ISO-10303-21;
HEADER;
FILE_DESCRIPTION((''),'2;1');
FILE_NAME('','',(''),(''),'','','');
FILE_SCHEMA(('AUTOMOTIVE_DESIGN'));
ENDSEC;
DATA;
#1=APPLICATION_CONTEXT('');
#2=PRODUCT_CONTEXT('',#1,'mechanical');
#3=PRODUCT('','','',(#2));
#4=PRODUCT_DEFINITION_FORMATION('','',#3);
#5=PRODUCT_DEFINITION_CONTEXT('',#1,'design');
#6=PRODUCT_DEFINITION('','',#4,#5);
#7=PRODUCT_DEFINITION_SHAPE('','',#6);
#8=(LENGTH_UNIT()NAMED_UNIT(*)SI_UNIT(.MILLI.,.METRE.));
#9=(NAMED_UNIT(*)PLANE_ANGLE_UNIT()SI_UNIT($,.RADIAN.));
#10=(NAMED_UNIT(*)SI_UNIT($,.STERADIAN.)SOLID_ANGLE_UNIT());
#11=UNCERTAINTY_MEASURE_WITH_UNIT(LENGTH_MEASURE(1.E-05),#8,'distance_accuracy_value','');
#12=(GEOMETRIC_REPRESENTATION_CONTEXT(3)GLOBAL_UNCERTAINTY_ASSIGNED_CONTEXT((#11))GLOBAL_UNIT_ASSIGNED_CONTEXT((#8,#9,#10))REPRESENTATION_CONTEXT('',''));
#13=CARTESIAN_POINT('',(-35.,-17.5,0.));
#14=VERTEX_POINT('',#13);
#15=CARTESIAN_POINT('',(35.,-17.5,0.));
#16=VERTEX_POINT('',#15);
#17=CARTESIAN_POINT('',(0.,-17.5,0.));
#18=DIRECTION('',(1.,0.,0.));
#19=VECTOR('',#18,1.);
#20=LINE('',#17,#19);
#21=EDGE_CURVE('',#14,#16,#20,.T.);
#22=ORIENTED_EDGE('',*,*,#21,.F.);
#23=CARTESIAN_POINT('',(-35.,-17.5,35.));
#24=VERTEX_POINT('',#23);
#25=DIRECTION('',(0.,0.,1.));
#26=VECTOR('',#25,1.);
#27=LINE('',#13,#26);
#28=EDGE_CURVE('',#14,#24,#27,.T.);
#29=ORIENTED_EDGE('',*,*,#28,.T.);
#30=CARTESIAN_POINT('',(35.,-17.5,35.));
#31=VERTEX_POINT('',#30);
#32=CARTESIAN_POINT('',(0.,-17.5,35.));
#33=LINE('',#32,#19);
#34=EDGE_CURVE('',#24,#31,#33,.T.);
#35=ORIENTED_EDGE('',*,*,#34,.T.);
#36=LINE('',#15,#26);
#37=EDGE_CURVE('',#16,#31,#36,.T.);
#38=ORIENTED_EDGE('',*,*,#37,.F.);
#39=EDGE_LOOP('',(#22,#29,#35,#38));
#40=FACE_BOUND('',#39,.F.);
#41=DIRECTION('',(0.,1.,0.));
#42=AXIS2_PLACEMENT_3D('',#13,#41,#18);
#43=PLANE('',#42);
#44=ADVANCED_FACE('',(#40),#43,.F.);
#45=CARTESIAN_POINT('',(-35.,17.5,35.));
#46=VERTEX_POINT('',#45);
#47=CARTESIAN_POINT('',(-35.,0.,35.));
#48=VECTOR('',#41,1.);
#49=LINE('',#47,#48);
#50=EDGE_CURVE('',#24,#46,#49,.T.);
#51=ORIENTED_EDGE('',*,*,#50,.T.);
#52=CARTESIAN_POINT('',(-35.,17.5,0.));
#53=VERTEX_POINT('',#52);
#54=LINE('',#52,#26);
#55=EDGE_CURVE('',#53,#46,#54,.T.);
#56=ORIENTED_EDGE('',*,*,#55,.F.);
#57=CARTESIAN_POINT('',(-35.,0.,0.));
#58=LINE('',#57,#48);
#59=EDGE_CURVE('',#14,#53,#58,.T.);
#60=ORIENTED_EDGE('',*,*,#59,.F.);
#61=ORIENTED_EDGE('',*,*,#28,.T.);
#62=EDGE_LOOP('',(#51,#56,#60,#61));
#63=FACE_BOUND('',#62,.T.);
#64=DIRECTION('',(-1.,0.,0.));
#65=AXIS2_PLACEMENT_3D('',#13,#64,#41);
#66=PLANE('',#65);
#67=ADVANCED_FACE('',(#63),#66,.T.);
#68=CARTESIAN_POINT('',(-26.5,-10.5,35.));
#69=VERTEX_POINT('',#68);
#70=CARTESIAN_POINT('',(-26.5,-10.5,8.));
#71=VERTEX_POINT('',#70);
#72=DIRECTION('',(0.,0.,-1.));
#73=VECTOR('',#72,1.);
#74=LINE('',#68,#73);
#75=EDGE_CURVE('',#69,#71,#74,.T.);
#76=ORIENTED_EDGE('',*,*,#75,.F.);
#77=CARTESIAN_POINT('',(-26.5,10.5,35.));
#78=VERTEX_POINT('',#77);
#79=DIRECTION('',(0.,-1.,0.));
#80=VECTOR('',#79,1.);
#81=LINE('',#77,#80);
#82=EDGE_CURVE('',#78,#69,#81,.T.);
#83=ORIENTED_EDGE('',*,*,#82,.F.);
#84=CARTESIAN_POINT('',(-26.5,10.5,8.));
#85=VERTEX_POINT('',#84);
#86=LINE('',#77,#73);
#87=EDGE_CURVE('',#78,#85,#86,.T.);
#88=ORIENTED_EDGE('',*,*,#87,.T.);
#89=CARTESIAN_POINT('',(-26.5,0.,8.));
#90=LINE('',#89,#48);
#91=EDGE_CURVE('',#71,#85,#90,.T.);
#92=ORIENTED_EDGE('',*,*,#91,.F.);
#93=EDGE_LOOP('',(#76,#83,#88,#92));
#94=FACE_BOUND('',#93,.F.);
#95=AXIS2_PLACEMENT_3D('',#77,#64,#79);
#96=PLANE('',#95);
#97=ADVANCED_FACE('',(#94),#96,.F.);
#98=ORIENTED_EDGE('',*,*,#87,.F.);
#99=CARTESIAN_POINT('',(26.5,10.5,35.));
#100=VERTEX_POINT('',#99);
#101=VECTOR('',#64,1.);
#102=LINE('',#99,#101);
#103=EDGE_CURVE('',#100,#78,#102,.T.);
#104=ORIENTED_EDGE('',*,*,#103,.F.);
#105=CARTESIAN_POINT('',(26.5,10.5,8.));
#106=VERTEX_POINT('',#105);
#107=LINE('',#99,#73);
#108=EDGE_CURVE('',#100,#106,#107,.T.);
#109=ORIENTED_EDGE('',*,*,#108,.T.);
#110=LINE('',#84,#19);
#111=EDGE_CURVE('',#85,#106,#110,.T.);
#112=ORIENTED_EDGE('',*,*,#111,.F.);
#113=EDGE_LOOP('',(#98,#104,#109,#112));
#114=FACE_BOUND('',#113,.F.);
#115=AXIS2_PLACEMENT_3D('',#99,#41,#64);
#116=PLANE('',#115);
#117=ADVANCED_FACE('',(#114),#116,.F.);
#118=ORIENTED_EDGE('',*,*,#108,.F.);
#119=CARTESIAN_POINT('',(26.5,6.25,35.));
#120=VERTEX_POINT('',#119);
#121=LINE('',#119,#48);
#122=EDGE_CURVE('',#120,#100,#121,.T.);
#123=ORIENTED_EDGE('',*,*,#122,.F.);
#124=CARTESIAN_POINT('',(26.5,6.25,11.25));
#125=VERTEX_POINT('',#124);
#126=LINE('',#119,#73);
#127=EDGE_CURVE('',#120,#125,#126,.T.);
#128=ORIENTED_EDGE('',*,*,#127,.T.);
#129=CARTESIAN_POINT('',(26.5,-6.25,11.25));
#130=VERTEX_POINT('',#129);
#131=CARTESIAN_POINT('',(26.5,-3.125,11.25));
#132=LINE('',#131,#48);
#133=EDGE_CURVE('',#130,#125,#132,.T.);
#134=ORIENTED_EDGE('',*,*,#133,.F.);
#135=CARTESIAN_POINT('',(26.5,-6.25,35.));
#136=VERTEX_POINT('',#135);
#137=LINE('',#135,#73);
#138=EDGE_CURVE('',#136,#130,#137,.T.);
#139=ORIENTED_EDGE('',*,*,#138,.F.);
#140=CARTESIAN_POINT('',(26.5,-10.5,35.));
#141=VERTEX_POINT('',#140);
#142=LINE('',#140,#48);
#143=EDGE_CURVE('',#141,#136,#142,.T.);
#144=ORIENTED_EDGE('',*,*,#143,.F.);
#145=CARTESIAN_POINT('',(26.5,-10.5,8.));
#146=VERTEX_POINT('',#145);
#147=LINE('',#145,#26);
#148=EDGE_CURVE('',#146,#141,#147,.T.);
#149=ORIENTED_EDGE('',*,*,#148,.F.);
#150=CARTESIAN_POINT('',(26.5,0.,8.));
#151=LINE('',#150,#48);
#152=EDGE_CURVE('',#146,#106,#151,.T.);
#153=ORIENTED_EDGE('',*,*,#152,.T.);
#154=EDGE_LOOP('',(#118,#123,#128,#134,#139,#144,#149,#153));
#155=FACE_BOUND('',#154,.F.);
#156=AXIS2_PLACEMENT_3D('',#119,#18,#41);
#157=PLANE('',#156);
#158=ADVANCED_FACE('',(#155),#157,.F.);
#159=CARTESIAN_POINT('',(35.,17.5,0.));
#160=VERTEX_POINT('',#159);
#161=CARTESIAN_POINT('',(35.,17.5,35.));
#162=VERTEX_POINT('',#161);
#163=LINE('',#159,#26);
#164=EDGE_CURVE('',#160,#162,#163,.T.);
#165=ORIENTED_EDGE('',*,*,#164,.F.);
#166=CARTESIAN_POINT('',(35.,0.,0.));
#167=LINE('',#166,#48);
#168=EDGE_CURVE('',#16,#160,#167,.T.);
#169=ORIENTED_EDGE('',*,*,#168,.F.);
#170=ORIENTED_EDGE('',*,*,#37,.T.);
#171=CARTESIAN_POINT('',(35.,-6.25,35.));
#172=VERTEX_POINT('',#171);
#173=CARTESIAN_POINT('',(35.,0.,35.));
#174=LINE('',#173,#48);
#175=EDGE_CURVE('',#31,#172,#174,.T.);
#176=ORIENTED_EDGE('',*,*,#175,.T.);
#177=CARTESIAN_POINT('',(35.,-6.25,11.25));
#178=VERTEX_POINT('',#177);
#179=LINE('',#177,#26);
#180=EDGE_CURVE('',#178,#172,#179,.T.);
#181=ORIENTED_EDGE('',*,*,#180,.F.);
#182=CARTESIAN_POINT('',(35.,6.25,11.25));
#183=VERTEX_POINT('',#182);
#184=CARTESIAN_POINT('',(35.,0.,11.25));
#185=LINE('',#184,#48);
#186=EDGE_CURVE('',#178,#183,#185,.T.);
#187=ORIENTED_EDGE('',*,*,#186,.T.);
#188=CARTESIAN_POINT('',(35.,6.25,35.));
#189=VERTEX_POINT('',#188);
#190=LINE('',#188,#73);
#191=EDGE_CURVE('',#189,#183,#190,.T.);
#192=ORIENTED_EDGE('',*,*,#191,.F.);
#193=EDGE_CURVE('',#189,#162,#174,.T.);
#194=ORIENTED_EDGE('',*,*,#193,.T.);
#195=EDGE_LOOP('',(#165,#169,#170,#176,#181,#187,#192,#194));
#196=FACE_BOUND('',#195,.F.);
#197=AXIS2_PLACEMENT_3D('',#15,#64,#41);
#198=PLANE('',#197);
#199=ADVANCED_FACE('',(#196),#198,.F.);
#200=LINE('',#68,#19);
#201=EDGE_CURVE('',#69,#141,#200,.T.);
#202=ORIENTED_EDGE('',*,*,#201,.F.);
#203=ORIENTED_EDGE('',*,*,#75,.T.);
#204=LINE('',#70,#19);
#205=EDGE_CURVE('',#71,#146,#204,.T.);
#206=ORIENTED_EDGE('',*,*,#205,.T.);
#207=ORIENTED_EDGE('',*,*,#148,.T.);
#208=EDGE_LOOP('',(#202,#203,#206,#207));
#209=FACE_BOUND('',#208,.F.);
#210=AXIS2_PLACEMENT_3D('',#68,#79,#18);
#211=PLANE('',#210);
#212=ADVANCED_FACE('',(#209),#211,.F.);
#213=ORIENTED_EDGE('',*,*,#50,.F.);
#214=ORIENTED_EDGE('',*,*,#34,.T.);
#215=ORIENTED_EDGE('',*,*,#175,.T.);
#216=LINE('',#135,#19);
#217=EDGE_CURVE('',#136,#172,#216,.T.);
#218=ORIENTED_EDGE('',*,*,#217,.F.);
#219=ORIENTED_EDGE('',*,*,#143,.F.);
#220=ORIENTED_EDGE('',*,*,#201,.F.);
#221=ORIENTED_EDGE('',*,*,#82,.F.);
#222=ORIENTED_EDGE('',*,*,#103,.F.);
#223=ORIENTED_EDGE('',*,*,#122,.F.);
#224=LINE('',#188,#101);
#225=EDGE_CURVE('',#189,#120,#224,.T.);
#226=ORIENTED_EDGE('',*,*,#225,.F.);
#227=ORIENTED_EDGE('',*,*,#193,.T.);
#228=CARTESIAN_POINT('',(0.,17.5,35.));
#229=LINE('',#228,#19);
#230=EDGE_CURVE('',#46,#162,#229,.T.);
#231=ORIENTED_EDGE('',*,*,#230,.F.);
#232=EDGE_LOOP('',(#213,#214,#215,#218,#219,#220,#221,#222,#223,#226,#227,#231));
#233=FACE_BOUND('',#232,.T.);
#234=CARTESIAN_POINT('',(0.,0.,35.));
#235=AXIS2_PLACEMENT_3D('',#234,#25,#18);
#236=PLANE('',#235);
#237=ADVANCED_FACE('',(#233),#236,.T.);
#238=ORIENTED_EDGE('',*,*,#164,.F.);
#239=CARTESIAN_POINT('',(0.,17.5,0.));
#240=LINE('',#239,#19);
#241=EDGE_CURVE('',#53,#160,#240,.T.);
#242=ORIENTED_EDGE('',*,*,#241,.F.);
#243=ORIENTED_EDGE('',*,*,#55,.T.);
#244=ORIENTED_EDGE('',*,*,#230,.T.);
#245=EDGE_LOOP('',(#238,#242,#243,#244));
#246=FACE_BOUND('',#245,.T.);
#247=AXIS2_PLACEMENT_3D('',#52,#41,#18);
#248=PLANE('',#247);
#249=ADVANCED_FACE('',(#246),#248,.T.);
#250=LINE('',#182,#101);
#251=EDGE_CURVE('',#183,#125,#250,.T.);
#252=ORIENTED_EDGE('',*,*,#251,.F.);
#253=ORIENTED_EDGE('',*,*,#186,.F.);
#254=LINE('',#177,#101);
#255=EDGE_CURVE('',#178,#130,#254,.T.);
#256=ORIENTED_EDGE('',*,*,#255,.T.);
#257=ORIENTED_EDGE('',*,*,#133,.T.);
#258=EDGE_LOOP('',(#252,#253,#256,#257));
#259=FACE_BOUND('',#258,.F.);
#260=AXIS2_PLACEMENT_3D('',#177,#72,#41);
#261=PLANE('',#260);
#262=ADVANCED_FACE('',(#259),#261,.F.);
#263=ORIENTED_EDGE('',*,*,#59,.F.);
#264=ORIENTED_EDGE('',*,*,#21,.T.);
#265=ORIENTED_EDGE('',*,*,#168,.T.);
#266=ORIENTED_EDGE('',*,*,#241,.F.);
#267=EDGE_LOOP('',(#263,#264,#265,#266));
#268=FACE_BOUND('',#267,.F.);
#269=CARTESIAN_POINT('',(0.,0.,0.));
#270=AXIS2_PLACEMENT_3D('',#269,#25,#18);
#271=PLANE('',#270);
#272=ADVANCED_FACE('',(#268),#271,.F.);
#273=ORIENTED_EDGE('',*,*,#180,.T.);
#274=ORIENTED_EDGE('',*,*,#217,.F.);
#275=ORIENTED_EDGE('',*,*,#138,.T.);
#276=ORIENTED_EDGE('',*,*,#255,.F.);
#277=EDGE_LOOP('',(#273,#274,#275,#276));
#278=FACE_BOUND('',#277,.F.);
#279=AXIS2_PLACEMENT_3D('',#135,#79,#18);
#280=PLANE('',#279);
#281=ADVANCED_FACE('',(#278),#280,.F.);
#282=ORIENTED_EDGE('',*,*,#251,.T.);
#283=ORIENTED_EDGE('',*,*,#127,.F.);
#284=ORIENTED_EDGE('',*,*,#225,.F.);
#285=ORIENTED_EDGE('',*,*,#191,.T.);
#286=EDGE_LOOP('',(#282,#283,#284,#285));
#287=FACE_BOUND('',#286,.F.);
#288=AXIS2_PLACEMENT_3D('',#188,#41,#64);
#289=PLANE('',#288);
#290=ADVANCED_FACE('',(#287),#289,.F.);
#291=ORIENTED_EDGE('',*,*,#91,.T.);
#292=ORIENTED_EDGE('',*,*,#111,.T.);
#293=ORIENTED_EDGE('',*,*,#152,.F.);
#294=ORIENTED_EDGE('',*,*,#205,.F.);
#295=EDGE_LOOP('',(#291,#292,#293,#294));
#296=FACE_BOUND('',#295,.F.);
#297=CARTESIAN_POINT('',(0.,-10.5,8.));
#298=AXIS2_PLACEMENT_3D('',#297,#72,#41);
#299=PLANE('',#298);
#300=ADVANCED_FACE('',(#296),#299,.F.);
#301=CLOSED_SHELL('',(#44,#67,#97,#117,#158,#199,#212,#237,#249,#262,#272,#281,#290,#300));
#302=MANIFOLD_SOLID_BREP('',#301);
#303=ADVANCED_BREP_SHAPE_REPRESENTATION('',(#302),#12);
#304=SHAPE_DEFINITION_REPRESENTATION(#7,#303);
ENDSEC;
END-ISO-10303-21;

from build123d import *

# Parameters (mm, degrees)
F0_W     = 70
F0_H     = 35
F1_DEPTH = 35
F2_W     = 21
F2_H     = 19
F3_DEPTH = 26.5
F4_W     = 12.5
F4_H     = 12.5
F5_DEPTH = 10
F7_DEPTH = 12


with BuildPart() as f1:
    # F0 (on Top) → F1 (new body)
    with BuildSketch(Plane.XY):
        Rectangle(F0_W, F0_H)
    extrude(amount=F1_DEPTH)

    # F2 (on Right) → F3 (cut, symmetric)
    with BuildSketch(Plane.YZ):
        with Locations((0, 17.5)):
            Rectangle(F2_W, F2_H)
    extrude(amount=F3_DEPTH, both=True, mode=Mode.SUBTRACT)

    # F4 (on face) → F5 (cut)
    with BuildSketch(Plane.YZ.offset(35)):
        with Locations((0, 17.5)):
            Rectangle(F4_W, F4_H)
    extrude(amount=-F5_DEPTH, mode=Mode.SUBTRACT)

    # F6 (on face) → F7 (cut)
    with BuildSketch(Plane.XY.offset(35)):
        Polygon((26.5, 10.5), (-26.5, 10.5), (-26.5, -10.5), (26.5, -10.5), (26.5, -6.25), (35, -6.25), (35, 6.25), (26.5, 6.25), align=None)
    extrude(amount=-F7_DEPTH, mode=Mode.SUBTRACT)


solid = f1.part
